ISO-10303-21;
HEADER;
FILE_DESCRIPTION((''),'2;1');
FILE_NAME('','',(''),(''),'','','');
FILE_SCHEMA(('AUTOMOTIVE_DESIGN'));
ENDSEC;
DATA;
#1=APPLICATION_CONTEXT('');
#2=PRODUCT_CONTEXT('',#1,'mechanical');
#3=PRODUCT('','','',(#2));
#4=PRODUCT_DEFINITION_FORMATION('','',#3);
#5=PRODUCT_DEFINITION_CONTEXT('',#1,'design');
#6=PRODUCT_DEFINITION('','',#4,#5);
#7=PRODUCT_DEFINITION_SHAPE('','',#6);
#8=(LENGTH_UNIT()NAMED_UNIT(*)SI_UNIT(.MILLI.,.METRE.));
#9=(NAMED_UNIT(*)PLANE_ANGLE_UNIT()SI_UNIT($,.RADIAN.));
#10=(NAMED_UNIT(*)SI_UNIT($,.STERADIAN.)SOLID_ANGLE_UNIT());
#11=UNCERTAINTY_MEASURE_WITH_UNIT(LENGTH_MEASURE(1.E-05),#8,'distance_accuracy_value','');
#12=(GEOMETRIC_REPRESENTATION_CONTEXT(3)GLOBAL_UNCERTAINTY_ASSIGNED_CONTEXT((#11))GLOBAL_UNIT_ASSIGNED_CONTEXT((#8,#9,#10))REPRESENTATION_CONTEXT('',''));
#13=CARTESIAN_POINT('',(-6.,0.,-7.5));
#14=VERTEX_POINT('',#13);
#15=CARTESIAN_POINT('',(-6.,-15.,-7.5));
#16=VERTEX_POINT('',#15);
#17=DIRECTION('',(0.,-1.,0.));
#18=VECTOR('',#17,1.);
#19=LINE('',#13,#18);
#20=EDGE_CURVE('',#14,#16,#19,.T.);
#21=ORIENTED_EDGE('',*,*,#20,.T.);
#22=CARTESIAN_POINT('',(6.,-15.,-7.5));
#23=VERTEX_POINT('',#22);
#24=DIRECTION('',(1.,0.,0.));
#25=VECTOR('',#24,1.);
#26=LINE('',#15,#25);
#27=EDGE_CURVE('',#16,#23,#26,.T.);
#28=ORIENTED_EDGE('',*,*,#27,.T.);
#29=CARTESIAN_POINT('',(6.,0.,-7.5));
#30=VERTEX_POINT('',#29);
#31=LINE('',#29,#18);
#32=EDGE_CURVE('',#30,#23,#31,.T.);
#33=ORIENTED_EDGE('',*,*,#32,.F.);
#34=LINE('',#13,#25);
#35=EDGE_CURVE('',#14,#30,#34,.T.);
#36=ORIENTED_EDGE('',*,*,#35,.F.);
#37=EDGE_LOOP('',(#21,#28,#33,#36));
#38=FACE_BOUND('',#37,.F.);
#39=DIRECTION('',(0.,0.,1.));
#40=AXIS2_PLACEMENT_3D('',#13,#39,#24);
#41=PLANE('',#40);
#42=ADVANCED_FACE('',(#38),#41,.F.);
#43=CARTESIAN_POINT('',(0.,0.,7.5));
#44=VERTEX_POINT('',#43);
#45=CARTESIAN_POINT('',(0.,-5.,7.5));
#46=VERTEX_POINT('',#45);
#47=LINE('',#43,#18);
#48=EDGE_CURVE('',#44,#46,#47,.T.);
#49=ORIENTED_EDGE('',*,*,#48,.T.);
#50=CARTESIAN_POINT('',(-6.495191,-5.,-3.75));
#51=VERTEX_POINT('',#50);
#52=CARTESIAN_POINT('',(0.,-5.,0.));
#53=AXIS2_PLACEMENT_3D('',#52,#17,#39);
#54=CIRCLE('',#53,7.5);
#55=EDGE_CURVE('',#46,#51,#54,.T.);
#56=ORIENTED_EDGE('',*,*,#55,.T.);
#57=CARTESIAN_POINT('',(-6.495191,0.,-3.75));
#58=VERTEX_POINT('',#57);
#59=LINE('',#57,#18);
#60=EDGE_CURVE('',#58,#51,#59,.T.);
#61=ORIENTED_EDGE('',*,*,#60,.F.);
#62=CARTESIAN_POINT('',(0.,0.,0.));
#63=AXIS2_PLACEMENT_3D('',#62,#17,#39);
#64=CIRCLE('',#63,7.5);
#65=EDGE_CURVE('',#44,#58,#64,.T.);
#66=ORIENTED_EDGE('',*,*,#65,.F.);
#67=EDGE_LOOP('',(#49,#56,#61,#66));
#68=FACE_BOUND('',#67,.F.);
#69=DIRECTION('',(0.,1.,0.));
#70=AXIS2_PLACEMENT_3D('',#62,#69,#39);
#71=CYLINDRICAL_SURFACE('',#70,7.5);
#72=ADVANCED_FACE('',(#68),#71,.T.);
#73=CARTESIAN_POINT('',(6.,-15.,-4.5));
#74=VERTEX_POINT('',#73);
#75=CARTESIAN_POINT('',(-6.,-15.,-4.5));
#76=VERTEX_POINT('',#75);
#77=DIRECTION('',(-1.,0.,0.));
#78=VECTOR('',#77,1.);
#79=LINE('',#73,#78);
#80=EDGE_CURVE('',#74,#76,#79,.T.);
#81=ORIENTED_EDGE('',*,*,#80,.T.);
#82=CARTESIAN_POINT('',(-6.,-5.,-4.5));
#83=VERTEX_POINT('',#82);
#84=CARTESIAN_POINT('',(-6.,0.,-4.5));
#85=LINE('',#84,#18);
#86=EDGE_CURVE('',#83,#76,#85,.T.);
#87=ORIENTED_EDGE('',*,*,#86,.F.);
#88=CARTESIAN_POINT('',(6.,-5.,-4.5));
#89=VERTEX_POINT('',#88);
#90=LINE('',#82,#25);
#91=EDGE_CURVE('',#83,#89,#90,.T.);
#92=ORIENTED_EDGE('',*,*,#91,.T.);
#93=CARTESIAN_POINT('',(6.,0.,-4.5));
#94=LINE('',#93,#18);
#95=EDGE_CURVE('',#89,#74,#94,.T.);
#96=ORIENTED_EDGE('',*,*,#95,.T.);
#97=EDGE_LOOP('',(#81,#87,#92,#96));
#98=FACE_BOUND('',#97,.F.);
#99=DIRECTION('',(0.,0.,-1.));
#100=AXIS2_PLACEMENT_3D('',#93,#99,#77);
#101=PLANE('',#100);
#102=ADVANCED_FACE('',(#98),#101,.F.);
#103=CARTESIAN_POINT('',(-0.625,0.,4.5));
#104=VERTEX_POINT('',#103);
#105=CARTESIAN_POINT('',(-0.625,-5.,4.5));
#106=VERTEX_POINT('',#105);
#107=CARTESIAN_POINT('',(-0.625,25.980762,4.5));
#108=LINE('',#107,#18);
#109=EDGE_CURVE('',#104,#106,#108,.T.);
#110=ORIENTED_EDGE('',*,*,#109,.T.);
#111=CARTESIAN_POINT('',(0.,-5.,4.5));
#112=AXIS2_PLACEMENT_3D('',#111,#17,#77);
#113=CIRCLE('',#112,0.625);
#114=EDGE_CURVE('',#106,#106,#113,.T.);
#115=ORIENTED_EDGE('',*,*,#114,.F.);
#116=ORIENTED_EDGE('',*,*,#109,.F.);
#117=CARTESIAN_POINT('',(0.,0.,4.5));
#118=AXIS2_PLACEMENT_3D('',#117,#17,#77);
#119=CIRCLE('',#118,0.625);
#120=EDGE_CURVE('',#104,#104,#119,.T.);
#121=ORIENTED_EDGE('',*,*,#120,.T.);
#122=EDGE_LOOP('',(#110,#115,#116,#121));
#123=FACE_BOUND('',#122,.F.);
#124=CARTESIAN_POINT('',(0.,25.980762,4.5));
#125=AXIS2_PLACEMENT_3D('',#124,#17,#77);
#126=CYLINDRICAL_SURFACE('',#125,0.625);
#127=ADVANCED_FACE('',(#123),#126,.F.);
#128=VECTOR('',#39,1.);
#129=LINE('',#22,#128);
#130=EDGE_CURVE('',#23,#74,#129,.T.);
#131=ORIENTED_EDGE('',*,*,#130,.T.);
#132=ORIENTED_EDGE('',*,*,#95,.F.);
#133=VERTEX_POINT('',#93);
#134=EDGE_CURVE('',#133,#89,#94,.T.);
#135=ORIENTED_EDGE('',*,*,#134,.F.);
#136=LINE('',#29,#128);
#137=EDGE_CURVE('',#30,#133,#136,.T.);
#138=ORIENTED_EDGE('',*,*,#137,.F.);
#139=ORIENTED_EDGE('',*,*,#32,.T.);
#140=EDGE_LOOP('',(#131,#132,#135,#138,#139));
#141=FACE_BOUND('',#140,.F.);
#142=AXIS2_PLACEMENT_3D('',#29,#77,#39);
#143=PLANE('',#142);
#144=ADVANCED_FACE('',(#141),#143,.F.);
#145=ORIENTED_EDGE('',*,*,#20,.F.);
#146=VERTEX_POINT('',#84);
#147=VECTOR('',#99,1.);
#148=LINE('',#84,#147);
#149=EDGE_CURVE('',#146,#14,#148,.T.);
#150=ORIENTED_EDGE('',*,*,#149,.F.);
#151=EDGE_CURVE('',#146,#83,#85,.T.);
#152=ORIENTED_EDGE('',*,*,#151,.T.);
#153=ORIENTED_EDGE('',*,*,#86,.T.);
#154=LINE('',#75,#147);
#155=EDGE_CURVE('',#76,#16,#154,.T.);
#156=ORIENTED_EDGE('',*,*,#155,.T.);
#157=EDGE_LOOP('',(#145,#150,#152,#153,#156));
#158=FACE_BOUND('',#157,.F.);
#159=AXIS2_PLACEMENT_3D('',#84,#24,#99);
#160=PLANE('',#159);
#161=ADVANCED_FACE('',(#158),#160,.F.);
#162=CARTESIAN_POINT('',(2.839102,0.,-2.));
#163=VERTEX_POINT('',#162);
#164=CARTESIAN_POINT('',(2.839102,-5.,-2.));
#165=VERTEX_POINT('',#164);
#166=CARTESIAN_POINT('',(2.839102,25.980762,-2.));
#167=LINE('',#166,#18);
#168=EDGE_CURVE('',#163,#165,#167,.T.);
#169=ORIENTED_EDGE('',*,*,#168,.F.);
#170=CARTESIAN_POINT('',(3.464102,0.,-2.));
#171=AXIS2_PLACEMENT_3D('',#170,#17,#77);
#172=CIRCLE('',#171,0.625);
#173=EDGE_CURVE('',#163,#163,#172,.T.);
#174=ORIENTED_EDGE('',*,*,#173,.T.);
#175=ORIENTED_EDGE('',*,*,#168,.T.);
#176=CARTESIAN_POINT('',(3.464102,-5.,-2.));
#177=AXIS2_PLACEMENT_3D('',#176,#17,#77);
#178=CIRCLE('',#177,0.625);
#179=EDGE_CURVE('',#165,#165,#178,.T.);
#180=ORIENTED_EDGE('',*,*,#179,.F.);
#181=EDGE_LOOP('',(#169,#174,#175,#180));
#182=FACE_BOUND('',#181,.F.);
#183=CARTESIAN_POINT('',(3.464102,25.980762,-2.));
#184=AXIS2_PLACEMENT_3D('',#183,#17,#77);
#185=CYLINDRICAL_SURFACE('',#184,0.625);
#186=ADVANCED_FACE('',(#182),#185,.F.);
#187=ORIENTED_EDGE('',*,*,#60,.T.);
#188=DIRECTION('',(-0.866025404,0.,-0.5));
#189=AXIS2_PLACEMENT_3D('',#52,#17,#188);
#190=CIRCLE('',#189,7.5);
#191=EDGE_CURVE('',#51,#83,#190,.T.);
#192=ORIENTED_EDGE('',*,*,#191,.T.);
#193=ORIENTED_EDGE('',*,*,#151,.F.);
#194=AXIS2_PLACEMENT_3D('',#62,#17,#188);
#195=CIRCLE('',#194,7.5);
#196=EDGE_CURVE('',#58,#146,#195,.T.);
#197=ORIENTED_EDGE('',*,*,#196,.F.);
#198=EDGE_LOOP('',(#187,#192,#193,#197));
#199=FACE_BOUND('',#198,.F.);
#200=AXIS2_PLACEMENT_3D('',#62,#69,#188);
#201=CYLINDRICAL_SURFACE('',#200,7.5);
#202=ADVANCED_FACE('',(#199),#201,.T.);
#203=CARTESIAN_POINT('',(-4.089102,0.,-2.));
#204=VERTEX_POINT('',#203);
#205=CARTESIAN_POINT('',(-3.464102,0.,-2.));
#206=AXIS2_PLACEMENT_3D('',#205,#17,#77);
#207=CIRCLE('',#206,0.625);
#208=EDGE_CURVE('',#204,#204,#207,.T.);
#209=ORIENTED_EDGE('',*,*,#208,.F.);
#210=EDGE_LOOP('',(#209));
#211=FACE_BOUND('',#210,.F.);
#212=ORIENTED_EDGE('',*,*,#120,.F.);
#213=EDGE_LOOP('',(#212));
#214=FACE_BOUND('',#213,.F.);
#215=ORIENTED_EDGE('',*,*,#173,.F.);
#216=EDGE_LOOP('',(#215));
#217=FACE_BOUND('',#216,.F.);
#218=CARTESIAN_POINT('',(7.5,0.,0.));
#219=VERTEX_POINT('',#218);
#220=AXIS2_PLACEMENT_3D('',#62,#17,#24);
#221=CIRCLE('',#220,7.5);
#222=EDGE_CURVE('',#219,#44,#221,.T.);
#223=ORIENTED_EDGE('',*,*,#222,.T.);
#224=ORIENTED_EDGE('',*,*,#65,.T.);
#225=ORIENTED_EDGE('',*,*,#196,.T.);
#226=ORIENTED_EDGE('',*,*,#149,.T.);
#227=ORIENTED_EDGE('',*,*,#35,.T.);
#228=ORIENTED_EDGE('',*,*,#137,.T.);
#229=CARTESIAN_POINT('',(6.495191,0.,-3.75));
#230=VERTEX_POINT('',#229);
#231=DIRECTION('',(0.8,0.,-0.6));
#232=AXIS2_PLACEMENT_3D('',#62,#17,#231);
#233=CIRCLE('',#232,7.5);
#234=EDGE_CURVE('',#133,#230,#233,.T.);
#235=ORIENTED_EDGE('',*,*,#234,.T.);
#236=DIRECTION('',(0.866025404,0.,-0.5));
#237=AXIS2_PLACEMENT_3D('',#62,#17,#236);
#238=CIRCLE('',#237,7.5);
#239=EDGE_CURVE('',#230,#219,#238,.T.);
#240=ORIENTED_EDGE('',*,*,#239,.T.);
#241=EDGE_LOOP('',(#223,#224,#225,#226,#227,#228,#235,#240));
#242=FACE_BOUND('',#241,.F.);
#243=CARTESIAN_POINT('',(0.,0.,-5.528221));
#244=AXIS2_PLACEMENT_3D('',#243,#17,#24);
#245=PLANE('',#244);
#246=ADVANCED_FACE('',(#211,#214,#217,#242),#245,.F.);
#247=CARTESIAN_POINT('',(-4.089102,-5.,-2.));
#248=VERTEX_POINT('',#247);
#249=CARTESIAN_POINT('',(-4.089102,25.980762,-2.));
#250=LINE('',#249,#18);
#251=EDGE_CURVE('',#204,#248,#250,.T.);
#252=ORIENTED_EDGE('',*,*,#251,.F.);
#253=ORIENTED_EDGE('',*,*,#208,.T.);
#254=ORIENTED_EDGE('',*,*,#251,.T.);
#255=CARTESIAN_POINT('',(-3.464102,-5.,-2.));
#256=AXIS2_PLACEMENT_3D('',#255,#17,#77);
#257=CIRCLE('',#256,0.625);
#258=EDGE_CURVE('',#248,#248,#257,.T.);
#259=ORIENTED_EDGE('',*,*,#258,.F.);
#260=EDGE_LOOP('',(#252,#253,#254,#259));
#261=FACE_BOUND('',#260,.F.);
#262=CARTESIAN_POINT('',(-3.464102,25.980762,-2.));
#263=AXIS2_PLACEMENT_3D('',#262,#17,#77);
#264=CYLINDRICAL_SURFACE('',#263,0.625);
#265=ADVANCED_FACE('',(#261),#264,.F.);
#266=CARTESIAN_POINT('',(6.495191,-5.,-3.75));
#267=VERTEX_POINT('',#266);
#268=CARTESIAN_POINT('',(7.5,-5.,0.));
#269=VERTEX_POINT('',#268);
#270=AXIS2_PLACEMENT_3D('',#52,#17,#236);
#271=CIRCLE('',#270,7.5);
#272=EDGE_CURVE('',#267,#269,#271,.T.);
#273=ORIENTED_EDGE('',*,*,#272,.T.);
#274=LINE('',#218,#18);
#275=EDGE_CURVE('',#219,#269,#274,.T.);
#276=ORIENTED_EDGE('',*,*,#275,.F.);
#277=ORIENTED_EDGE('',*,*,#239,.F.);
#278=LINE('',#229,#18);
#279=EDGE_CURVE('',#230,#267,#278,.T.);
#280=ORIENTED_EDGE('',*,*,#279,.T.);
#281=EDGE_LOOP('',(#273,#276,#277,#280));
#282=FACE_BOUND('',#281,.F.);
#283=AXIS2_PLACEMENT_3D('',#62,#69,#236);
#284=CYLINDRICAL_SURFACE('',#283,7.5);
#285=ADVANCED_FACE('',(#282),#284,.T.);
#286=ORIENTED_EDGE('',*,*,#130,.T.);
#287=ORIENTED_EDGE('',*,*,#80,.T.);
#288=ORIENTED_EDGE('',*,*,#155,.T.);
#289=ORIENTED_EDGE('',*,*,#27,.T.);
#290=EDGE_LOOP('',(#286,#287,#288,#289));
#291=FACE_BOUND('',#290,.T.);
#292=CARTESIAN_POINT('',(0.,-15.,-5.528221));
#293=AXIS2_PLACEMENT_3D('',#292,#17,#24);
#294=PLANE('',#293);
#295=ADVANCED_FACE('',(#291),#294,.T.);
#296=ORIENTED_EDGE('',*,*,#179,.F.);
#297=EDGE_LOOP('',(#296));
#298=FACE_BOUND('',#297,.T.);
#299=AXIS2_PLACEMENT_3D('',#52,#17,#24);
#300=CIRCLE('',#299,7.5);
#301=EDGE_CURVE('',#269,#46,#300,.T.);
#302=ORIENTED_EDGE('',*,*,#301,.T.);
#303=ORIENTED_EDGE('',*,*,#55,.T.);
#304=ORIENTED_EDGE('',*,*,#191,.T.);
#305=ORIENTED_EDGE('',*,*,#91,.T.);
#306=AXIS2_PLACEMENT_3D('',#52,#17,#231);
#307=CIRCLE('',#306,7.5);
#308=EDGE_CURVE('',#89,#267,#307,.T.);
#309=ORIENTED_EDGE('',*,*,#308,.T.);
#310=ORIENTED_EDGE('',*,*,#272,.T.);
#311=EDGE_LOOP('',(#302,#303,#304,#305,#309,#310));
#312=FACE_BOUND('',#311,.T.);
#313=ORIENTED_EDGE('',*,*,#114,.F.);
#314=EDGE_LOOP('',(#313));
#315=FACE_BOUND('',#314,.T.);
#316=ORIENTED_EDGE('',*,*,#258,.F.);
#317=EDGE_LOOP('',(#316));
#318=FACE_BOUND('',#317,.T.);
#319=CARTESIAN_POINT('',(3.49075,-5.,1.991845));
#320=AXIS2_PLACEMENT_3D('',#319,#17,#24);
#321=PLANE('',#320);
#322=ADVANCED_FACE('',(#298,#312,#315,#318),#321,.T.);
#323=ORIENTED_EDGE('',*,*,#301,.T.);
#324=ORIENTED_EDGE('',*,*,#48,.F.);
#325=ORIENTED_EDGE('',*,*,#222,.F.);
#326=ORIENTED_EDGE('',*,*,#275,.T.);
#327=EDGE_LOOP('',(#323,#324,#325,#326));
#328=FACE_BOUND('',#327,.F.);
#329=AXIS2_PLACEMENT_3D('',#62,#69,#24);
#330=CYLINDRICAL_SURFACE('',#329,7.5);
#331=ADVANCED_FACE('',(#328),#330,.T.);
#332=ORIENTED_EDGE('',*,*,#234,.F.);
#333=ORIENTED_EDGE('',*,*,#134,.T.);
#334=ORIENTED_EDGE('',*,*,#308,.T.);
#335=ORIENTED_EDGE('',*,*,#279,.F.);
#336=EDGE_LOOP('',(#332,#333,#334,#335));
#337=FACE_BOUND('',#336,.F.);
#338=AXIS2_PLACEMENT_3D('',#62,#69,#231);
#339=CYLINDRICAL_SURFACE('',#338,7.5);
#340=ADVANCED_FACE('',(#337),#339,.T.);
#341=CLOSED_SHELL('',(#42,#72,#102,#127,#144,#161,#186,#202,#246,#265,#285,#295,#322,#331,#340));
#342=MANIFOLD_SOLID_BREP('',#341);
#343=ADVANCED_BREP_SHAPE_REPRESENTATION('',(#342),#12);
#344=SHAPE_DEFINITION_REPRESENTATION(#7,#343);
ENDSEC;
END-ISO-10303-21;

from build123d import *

# Parameters (mm, degrees)
F1_DEPTH = 5
F2_DEPTH = 15
F3_D     = 1.25


with BuildPart() as f1:
    # F0 (on Front) → F1 (new body)
    with BuildSketch(Plane.XZ):
        with BuildLine():
            ThreePointArc((6.4951905284, -3.75), (7.2444436972, -1.9411428383), (7.5, 0))
            ThreePointArc((7.5, 0), (5.3033008589, 5.3033008589), (0, 7.5))
            Line((0, 7.5), (0, 0))
            Line((0, 0), (6.4951905284, -3.75))
        make_face()
        with BuildLine():
            Line((0, 0), (0, 7.5))
            ThreePointArc((0, 7.5), (-6.4951905284, 3.75), (-6.4951905284, -3.75))
            Line((-6.4951905284, -3.75), (0, 0))
        make_face()
        with BuildLine():
            ThreePointArc((6, -4.5), (6.2588394759, -4.1324240362), (6.4951905284, -3.75))
            Line((6.4951905284, -3.75), (0, 0))
            Line((0, 0), (-6.4951905284, -3.75))
            ThreePointArc((-6.4951905284, -3.75), (-6.2588394759, -4.1324240362), (-6, -4.5))
            Line((-6, -4.5), (6, -4.5))
        make_face()
    extrude(amount=F1_DEPTH)

    # F0 (on Front) → F2 (join)
    with BuildSketch(Plane.XZ):
        with BuildLine():
            ThreePointArc((0, -7.5), (3.3541019662, -6.7082039325), (6, -4.5))
            Line((6, -4.5), (-6, -4.5))
            ThreePointArc((-6, -4.5), (-3.3541019662, -6.7082039325), (0, -7.5))
        make_face()
        with BuildLine():
            Line((6, -7.5), (6, -4.5))
            ThreePointArc((6, -4.5), (3.3541019662, -6.7082039325), (0, -7.5))
            Line((0, -7.5), (6, -7.5))
        make_face()
        with BuildLine():
            ThreePointArc((0, -7.5), (-3.3541019662, -6.7082039325), (-6, -4.5))
            Line((-6, -4.5), (-6, -7.5))
            Line((-6, -7.5), (0, -7.5))
        make_face()
    extrude(amount=F2_DEPTH)

    # F3 (through all)
    with Locations(Plane(origin=(0, 0, 0), x_dir=(1, 0, 0), z_dir=(0, 1, 0))):
        with Locations((3.4641016151, 2), (-3.4641016151, 2), (0, -4.5)):
            Hole(F3_D / 2)


solid = f1.part
